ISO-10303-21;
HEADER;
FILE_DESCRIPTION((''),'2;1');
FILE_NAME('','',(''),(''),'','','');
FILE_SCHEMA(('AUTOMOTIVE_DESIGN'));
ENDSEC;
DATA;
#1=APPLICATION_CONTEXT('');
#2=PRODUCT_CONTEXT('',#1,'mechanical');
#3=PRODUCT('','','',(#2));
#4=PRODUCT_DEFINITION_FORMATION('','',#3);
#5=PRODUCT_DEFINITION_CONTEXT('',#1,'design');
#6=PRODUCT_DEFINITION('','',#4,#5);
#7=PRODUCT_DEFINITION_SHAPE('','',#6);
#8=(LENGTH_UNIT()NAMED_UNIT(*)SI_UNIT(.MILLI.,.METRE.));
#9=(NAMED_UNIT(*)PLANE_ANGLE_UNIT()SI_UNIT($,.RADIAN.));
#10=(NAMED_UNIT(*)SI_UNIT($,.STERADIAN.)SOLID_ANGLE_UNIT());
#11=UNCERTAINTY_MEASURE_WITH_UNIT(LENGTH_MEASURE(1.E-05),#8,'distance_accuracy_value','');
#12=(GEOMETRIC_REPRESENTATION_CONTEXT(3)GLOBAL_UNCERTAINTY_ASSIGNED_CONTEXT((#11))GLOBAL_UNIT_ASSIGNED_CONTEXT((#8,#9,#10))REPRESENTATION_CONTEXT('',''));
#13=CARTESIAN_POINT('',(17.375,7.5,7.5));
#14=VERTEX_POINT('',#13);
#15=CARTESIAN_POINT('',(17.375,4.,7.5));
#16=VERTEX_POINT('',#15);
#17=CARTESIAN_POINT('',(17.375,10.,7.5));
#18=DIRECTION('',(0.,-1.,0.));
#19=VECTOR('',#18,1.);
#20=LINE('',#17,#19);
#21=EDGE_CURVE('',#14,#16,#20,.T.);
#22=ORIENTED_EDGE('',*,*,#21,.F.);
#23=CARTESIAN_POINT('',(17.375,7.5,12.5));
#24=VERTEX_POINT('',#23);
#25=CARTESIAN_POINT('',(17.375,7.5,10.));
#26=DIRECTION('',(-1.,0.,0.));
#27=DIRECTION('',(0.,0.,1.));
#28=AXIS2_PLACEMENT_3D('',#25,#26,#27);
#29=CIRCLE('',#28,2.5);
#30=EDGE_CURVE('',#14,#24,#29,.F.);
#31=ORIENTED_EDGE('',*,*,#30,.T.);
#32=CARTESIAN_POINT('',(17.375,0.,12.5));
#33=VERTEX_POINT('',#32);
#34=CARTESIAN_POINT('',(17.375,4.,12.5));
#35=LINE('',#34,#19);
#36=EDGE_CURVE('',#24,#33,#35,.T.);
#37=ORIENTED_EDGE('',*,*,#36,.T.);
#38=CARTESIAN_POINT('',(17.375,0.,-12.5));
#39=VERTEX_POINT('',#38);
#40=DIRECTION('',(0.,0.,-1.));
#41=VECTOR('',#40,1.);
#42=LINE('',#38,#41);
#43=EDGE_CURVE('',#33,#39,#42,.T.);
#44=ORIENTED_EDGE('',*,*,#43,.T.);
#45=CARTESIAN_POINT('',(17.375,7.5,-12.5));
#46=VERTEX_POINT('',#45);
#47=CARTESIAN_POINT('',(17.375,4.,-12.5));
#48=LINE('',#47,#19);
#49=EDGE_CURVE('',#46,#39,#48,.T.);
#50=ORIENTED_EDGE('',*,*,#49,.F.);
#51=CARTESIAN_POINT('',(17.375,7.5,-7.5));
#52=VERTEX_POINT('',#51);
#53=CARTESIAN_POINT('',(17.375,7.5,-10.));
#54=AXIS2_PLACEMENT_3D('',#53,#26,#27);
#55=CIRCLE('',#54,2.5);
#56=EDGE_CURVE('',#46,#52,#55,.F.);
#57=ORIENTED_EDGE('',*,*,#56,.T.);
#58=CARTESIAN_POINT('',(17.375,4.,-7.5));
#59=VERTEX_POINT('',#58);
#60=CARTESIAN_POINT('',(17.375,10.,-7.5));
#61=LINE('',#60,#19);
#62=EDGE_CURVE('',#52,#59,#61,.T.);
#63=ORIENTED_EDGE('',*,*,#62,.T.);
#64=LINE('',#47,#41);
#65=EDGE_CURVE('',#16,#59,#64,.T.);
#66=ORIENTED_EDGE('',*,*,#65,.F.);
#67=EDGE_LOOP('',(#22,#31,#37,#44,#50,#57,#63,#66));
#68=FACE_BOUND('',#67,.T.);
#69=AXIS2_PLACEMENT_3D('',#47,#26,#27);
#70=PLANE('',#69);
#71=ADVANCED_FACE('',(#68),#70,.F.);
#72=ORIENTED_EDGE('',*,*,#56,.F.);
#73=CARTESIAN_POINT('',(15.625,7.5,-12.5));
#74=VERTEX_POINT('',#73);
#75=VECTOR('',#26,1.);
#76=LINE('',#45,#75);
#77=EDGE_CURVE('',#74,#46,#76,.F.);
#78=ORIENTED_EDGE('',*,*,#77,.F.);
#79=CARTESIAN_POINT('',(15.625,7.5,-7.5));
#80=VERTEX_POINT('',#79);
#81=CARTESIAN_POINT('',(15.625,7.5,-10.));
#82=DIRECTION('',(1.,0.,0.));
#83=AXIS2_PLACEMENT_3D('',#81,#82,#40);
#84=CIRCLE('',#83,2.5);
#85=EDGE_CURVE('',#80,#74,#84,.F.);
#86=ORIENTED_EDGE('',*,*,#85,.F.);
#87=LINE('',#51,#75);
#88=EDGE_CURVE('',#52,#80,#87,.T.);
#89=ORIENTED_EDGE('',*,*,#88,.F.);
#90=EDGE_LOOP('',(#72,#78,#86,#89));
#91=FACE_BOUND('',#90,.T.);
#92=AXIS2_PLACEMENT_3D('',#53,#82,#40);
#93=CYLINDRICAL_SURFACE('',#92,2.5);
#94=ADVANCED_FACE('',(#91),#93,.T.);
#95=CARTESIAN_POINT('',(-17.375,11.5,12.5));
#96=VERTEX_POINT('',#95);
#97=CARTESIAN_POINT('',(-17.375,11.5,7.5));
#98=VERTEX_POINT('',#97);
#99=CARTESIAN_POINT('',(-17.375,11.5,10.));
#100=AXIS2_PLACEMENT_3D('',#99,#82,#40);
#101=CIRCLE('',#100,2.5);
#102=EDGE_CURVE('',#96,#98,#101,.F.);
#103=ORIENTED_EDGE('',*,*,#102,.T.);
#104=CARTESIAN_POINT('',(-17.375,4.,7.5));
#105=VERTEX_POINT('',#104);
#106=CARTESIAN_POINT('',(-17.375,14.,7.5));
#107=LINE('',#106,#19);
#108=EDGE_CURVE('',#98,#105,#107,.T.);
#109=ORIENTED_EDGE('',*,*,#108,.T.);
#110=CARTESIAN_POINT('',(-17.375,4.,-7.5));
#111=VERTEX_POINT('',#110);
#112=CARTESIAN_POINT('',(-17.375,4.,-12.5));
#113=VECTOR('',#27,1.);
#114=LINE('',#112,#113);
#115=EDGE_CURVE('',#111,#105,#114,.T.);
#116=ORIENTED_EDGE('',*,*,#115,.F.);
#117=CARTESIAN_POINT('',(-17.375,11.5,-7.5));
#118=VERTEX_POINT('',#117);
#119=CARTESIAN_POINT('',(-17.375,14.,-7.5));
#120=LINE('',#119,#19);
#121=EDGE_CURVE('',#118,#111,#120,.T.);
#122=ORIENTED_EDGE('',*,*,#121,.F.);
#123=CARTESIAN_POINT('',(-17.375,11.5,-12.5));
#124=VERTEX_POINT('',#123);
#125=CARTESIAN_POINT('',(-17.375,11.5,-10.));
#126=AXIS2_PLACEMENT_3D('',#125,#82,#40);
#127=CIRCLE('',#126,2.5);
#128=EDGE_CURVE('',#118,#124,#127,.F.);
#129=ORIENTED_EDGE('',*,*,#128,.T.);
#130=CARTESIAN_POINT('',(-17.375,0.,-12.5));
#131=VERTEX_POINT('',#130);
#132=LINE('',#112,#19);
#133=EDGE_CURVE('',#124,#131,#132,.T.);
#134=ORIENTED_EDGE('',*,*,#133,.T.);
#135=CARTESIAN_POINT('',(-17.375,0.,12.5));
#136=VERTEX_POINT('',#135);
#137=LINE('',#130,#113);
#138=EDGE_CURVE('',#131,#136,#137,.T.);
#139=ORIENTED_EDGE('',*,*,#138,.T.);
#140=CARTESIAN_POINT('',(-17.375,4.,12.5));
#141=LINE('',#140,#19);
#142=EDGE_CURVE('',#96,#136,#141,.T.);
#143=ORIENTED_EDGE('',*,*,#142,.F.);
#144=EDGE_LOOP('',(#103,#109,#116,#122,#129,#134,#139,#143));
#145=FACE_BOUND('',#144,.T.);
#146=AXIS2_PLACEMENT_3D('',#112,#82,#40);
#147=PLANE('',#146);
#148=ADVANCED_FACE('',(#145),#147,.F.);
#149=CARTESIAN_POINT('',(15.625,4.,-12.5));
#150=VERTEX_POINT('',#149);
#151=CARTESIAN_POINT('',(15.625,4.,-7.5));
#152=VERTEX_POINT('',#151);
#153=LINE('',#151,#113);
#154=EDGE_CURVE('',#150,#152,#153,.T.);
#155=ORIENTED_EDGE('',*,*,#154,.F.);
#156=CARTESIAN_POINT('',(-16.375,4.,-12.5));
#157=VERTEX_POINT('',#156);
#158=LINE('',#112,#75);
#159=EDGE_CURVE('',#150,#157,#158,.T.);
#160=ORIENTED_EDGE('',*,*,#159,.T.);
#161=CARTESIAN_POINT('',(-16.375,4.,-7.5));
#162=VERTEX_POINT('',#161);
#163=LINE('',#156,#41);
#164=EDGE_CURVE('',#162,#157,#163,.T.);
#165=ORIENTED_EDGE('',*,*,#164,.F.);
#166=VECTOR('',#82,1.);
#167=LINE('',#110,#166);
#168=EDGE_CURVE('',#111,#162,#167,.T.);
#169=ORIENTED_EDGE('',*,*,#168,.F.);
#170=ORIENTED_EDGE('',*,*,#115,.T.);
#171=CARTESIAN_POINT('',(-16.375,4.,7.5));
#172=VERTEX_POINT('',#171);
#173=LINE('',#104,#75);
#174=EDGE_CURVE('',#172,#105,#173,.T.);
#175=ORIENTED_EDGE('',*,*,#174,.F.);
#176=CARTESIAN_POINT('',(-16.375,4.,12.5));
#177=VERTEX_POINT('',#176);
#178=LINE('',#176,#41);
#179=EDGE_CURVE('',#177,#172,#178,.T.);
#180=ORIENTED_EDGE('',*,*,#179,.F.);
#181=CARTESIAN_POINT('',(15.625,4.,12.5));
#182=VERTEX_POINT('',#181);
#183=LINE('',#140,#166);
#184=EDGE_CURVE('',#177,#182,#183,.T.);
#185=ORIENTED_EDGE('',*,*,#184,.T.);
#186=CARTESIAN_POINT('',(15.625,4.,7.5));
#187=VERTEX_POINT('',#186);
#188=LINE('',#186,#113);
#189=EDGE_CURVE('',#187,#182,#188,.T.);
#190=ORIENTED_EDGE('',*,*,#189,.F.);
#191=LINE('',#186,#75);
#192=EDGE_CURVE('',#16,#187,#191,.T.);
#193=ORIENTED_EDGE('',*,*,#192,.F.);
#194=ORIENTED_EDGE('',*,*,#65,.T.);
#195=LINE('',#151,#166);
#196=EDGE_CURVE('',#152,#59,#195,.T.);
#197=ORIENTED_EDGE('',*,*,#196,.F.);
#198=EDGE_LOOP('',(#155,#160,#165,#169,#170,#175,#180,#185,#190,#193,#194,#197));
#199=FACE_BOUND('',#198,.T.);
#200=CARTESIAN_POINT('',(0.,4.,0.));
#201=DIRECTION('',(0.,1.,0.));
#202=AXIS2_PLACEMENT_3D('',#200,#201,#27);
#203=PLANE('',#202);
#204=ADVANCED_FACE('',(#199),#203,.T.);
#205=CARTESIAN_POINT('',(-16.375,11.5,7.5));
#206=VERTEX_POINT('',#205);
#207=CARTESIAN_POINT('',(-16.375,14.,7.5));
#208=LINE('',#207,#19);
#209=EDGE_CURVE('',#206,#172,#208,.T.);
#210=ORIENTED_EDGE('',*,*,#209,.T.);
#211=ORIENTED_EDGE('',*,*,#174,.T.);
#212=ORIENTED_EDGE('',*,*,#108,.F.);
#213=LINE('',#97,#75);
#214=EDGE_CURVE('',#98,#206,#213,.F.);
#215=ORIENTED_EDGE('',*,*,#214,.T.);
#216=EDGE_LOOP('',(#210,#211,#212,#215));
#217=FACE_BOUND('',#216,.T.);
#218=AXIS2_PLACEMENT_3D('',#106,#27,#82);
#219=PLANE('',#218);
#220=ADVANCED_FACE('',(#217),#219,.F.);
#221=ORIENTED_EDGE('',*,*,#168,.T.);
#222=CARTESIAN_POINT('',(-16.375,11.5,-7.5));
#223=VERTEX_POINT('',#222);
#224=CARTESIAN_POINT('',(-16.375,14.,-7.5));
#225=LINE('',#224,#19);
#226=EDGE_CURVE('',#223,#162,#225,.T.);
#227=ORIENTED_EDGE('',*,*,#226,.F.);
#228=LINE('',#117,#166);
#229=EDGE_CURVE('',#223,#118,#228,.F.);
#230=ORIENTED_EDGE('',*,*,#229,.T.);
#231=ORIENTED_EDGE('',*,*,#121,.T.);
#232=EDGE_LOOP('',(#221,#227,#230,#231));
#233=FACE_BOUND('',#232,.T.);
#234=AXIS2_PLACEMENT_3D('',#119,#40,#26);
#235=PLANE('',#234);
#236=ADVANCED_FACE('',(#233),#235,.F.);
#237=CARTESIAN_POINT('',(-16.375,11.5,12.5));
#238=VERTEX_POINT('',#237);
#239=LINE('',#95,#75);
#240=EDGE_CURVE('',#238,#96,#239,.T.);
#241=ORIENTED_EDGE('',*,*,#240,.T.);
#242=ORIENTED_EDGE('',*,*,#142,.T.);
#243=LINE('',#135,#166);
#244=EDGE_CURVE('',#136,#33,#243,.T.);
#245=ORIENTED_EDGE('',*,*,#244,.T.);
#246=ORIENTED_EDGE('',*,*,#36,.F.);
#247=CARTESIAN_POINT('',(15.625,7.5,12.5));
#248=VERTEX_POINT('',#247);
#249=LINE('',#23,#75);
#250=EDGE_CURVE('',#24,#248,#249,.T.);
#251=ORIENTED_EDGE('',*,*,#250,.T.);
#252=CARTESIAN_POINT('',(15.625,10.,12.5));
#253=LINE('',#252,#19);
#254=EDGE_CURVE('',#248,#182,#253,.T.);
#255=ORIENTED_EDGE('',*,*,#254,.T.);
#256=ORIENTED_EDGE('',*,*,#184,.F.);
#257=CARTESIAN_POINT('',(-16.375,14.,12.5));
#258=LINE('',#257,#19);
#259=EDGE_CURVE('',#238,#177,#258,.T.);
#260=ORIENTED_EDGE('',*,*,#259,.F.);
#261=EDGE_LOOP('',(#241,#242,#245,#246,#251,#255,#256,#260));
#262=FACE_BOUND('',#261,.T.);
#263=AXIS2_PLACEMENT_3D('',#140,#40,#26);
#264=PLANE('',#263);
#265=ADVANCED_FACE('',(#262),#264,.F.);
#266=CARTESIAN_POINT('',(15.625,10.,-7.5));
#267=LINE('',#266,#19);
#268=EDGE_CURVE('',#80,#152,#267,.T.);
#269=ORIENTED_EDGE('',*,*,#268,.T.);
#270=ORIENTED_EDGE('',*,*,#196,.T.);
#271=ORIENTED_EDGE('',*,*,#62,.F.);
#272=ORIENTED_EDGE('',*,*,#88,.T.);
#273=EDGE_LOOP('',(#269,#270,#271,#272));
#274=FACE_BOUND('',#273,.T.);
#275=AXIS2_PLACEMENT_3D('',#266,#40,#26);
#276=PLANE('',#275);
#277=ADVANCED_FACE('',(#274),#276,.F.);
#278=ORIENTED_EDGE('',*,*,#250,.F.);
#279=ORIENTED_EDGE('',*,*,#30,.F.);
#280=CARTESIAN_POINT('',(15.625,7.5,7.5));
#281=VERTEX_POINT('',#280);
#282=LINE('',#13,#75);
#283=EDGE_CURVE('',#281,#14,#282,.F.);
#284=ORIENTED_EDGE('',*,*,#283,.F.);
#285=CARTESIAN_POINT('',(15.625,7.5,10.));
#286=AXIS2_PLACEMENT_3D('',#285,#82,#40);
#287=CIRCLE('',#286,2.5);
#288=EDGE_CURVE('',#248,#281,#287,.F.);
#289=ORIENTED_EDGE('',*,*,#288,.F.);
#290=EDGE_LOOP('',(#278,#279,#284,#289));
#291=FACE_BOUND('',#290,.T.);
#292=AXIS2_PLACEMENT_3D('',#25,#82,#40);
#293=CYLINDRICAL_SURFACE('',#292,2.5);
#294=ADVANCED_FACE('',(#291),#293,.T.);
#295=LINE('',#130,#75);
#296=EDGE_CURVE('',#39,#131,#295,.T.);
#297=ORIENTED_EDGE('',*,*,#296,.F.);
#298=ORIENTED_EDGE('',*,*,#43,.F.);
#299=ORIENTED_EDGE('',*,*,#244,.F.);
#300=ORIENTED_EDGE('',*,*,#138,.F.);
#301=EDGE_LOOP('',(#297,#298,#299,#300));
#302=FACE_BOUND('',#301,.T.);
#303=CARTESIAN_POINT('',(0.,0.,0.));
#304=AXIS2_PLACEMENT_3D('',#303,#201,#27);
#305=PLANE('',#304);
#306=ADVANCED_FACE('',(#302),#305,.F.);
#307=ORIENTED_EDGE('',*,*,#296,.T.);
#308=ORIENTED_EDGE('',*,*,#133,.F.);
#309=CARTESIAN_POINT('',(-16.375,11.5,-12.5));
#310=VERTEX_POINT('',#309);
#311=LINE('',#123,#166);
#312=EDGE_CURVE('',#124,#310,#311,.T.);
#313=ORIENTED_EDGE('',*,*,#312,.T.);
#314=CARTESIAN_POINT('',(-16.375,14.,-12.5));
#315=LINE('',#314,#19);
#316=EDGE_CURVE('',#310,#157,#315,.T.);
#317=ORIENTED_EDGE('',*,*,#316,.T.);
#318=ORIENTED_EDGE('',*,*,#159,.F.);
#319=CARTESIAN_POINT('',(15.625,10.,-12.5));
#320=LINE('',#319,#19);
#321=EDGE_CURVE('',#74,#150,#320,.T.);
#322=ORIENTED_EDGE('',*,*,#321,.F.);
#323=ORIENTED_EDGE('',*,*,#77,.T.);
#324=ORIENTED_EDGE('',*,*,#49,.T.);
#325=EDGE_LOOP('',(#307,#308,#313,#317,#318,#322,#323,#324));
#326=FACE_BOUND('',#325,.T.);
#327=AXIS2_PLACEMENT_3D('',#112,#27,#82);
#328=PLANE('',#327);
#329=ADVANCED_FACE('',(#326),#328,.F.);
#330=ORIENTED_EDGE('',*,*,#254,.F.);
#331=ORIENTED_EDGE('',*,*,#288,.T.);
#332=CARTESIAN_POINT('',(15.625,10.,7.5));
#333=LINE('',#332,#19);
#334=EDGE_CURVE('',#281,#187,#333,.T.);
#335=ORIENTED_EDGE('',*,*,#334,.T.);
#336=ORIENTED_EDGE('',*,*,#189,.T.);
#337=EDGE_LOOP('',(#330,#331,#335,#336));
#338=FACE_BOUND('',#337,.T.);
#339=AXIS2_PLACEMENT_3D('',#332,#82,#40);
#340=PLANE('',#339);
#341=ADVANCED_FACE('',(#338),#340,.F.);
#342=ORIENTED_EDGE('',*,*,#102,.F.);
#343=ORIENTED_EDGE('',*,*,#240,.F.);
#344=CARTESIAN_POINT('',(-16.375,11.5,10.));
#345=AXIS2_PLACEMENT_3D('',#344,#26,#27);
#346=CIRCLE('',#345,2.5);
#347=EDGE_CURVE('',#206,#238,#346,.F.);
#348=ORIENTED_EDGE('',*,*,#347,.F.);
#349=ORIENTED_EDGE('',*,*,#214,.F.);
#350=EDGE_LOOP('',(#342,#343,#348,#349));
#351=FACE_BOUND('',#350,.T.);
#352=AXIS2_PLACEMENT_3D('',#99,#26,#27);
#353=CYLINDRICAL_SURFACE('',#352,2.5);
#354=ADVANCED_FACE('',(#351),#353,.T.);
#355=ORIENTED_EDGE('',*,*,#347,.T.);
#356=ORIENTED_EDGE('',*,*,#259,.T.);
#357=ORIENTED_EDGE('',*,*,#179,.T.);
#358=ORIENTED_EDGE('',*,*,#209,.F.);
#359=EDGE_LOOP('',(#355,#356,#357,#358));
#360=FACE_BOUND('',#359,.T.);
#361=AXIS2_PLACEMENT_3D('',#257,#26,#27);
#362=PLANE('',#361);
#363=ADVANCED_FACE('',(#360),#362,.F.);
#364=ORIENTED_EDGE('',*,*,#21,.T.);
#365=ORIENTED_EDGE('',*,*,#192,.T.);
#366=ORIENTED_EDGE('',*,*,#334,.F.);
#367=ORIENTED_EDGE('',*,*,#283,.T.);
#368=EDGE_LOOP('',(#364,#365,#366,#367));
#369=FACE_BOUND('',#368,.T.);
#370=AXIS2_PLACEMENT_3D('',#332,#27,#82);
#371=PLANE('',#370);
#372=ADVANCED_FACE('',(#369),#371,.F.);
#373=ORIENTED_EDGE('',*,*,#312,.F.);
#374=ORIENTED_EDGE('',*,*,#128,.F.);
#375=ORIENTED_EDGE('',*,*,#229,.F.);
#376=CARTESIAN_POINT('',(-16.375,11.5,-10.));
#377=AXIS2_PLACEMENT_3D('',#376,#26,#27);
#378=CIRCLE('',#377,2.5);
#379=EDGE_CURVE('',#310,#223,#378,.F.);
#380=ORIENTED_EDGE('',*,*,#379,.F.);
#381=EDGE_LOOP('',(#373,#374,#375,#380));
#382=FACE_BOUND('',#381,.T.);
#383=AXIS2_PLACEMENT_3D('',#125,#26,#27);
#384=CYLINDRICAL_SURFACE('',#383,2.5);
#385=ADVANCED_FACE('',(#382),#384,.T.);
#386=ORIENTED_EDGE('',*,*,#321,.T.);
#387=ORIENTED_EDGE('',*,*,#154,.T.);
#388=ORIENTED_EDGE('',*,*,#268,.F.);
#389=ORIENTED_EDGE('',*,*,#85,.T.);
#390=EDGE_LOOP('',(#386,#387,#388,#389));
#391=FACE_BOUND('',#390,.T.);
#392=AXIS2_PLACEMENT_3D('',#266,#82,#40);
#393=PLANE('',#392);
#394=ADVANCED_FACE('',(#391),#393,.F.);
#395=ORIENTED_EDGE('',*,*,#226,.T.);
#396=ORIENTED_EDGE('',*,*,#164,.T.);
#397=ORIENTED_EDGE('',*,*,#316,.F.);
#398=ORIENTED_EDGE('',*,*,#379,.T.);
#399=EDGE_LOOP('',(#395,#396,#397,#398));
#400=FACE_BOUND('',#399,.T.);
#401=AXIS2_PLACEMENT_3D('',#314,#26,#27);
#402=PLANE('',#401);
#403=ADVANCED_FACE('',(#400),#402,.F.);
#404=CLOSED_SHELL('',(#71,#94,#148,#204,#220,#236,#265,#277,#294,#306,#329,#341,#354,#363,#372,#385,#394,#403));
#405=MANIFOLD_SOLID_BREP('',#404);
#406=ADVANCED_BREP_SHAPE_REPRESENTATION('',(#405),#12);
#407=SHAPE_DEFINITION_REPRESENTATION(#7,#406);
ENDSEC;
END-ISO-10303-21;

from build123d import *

# Parameters (mm, degrees)
SKETCH1_W           = 34.75
SKETCH1_H           = 25
BOSS_EXTRUDE1_DEPTH = 4
SKETCH2_W           = 1.75
SKETCH2_H           = 5
BOSS_EXTRUDE2_DEPTH = 6
SKETCH4_W           = 1
SKETCH4_H           = 5
BOSS_EXTRUDE3_DEPTH = 10
FILLET2_RADIUS      = 2.5
FILLET2_LENGTH      = 1
FILLET3_RADIUS      = 2.5
FILLET3_LENGTH      = 1
FILLET4_RADIUS      = 2.5
FILLET4_LENGTH      = 1.75
FILLET5_RADIUS      = 2.5
FILLET5_LENGTH      = 1.75


with BuildPart() as part:
    # Sketch1 → Boss-Extrude1 (new body)
    with BuildSketch(Plane(origin=(0, 0, 0), x_dir=(1, 0, 0), z_dir=(0, 1, 0))):
        Rectangle(SKETCH1_W, SKETCH1_H)
    extrude(amount=BOSS_EXTRUDE1_DEPTH)

    # Sketch2 → Boss-Extrude2 (add)
    with BuildSketch(Plane(origin=(0, 4, 0), x_dir=(1, 0, 0), z_dir=(0, 1, 0))):
        with Locations((16.5, -10)):
            Rectangle(SKETCH2_W, SKETCH2_H)
        with Locations((16.5, 10)):
            Rectangle(SKETCH2_W, SKETCH2_H)
    extrude(amount=BOSS_EXTRUDE2_DEPTH)

    # Sketch4 → Boss-Extrude3 (add)
    with BuildSketch(Plane(origin=(0, 4, 0), x_dir=(1, 0, 0), z_dir=(0, 1, 0))):
        with Locations((-16.875, 10)):
            Rectangle(SKETCH4_W, SKETCH4_H)
        with Locations((-16.875, -10)):
            Rectangle(SKETCH4_W, SKETCH4_H)
    extrude(amount=BOSS_EXTRUDE3_DEPTH)

    # Fillet2: full round fillet: the end face becomes a half cylinder, R = half its width
    fillet2_face = Plane((-16.875, 14, -10), x_dir=(1, 0, 0), z_dir=(0, 1, 0))  # on the end face: x along it, z out of the body
    fillet2_slab = fillet2_face.offset(-FILLET2_RADIUS / 2) * Box(FILLET2_LENGTH, 2 * FILLET2_RADIUS, FILLET2_RADIUS, mode=Mode.PRIVATE)  # the body's end, R deep
    fillet2_round = Plane((-16.875, 11.5, -10), x_dir=(0, 1, 0), z_dir=(1, 0, 0)) * Cylinder(FILLET2_RADIUS, FILLET2_LENGTH, mode=Mode.PRIVATE)  # its axis R under the face
    add(fillet2_slab - fillet2_round, mode=Mode.SUBTRACT)

    # Fillet3: full round fillet: the end face becomes a half cylinder, R = half its width
    fillet3_face = Plane((-16.875, 14, 10), x_dir=(1, 0, 0), z_dir=(0, 1, 0))  # on the end face: x along it, z out of the body
    fillet3_slab = fillet3_face.offset(-FILLET3_RADIUS / 2) * Box(FILLET3_LENGTH, 2 * FILLET3_RADIUS, FILLET3_RADIUS, mode=Mode.PRIVATE)  # the body's end, R deep
    fillet3_round = Plane((-16.875, 11.5, 10), x_dir=(0, 1, 0), z_dir=(1, 0, 0)) * Cylinder(FILLET3_RADIUS, FILLET3_LENGTH, mode=Mode.PRIVATE)  # its axis R under the face
    add(fillet3_slab - fillet3_round, mode=Mode.SUBTRACT)

    # Fillet4: full round fillet: the end face becomes a half cylinder, R = half its width
    fillet4_face = Plane((16.5, 10, -10), x_dir=(1, 0, 0), z_dir=(0, 1, 0))  # on the end face: x along it, z out of the body
    fillet4_slab = fillet4_face.offset(-FILLET4_RADIUS / 2) * Box(FILLET4_LENGTH, 2 * FILLET4_RADIUS, FILLET4_RADIUS, mode=Mode.PRIVATE)  # the body's end, R deep
    fillet4_round = Plane((16.5, 7.5, -10), x_dir=(0, 1, 0), z_dir=(1, 0, 0)) * Cylinder(FILLET4_RADIUS, FILLET4_LENGTH, mode=Mode.PRIVATE)  # its axis R under the face
    add(fillet4_slab - fillet4_round, mode=Mode.SUBTRACT)

    # Fillet5: full round fillet: the end face becomes a half cylinder, R = half its width
    fillet5_face = Plane((16.5, 10, 10), x_dir=(1, 0, 0), z_dir=(0, 1, 0))  # on the end face: x along it, z out of the body
    fillet5_slab = fillet5_face.offset(-FILLET5_RADIUS / 2) * Box(FILLET5_LENGTH, 2 * FILLET5_RADIUS, FILLET5_RADIUS, mode=Mode.PRIVATE)  # the body's end, R deep
    fillet5_round = Plane((16.5, 7.5, 10), x_dir=(0, 1, 0), z_dir=(1, 0, 0)) * Cylinder(FILLET5_RADIUS, FILLET5_LENGTH, mode=Mode.PRIVATE)  # its axis R under the face
    add(fillet5_slab - fillet5_round, mode=Mode.SUBTRACT)


solid = part.part
